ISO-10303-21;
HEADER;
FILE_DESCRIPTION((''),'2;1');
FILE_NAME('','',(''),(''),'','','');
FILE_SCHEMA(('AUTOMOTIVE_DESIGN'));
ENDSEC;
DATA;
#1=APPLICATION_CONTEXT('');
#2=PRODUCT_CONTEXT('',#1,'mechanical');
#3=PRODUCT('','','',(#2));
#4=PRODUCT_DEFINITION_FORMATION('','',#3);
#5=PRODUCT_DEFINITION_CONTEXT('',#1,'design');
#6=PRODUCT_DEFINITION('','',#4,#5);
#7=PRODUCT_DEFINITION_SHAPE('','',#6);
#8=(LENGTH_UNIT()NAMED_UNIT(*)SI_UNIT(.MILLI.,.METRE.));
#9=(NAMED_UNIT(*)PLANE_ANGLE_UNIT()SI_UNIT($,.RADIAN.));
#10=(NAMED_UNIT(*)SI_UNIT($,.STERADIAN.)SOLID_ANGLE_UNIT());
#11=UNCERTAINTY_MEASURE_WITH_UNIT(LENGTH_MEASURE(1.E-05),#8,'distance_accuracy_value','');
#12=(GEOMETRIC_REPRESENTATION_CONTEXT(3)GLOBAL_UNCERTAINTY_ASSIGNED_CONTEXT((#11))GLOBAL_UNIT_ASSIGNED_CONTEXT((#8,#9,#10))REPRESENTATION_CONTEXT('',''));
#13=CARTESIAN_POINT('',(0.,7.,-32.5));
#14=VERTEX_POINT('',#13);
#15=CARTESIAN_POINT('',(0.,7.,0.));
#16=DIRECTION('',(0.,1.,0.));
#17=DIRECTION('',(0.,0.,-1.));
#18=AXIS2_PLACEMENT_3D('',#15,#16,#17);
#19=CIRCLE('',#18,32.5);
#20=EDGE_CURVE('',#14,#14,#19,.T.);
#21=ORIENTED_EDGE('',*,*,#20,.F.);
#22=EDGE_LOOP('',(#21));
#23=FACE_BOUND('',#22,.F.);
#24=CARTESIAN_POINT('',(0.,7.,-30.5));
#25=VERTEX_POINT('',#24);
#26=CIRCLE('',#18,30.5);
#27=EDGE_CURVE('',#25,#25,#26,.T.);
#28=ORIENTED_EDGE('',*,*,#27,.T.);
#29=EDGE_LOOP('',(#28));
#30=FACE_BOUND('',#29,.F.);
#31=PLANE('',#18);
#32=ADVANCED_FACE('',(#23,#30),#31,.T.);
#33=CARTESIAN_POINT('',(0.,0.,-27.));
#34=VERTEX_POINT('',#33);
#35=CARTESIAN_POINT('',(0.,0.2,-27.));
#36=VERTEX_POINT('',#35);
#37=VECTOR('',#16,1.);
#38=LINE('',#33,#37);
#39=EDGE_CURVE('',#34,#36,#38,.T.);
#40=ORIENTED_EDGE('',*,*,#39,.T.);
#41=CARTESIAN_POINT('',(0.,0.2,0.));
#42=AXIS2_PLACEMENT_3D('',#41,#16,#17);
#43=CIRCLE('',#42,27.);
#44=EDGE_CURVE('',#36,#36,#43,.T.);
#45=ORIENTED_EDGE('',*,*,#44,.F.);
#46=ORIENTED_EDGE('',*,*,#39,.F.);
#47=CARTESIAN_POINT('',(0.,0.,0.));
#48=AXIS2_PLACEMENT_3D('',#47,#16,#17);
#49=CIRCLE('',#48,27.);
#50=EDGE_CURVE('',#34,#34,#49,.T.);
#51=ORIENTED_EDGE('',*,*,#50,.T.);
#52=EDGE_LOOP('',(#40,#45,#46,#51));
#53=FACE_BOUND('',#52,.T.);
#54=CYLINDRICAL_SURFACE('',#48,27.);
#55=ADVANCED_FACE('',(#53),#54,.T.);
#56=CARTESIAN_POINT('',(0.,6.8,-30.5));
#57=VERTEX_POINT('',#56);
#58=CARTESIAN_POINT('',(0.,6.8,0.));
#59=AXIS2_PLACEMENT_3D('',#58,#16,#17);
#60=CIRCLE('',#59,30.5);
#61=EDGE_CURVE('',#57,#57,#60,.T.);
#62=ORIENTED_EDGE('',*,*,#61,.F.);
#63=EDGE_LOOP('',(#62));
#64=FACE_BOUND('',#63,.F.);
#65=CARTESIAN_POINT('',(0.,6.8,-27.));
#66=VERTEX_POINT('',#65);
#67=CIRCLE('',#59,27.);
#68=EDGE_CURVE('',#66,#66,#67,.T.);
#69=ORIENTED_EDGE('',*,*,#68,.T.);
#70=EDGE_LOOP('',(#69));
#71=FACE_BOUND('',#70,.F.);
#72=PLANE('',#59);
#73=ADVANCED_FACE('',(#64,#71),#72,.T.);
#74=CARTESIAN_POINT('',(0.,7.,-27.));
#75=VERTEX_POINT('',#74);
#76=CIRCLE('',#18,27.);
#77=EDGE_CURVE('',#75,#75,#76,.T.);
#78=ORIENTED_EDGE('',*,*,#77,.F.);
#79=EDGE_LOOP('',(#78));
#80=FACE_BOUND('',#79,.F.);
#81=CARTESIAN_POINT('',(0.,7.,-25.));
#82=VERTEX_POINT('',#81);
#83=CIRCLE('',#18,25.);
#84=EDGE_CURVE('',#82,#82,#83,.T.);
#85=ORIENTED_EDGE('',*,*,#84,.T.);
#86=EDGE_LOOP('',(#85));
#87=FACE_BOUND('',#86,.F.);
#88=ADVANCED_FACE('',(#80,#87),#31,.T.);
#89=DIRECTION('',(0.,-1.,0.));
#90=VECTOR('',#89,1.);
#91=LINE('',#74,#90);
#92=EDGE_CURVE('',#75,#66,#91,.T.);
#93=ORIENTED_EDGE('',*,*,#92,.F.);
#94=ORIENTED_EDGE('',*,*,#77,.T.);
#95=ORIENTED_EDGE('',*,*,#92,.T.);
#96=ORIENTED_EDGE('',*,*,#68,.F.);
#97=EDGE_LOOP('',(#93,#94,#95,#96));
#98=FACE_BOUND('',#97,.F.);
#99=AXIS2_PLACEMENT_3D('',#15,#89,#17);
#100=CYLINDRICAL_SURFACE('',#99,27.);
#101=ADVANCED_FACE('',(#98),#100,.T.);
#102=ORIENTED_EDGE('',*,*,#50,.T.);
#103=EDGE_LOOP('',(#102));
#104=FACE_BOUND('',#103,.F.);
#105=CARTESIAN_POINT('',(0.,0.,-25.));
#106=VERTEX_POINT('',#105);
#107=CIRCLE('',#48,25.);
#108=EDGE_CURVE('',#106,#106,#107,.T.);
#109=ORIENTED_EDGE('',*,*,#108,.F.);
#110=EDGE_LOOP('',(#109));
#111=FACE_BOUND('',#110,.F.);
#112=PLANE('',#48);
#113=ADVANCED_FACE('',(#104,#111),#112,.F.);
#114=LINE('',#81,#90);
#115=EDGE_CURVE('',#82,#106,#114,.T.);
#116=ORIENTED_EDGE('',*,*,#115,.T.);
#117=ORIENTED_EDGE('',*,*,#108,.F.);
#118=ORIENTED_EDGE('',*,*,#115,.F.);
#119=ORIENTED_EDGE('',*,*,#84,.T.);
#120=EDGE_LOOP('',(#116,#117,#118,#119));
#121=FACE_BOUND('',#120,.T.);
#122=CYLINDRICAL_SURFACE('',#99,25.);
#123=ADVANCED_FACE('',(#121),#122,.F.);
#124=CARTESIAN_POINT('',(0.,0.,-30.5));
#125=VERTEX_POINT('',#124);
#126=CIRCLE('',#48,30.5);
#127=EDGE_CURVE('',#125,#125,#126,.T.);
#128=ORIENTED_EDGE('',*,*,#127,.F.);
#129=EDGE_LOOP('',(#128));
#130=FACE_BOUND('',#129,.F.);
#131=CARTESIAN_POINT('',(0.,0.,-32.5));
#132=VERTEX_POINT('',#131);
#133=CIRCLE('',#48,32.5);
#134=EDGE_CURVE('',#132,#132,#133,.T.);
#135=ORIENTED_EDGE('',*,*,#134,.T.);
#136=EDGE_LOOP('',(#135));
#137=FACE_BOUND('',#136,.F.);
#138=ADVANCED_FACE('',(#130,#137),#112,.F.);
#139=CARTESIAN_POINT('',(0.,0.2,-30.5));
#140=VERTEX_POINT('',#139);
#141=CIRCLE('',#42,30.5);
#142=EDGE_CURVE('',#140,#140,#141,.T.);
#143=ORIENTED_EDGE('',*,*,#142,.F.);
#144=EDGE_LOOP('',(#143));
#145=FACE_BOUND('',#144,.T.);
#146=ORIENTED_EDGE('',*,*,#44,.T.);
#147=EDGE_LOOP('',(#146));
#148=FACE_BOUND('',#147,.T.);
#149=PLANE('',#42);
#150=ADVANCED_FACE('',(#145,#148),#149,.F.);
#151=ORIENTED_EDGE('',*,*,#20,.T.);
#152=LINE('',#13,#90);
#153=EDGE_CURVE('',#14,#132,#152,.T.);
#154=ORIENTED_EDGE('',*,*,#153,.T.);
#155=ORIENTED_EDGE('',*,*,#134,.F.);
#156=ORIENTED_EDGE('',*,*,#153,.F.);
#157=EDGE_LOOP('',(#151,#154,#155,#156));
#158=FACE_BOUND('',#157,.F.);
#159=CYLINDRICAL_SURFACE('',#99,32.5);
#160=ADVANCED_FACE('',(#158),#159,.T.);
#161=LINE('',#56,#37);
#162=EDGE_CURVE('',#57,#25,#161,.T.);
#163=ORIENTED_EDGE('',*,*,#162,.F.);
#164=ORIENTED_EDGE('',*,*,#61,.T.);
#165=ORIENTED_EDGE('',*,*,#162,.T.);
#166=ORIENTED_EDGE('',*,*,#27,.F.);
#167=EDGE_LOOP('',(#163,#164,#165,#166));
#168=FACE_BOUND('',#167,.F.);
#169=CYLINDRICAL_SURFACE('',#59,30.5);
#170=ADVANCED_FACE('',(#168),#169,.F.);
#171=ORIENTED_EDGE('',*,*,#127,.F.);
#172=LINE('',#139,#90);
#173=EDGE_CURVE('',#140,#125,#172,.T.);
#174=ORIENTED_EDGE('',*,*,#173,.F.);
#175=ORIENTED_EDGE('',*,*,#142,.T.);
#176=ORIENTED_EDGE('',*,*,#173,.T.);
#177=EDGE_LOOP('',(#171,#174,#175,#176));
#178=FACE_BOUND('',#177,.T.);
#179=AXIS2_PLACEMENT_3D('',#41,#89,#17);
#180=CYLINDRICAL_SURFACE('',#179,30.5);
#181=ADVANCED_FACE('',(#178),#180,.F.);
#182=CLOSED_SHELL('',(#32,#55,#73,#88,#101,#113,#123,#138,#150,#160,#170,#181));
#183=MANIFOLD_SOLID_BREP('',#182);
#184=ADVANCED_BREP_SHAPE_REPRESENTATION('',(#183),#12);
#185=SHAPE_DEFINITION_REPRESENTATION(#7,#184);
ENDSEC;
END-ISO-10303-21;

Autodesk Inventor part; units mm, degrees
ref_plane "YZ Plane" through (0, 0, 0) normal (1, 0, 0) x (0, 1, 0)
ref_plane "XZ Plane" through (0, 0, 0) normal (0, 1, 0) x (-1, 0, 0)
ref_plane "XY Plane" through (0, 0, 0) normal (0, 0, 1) x (1, 0, 0)
sketch "Sketch1" plane through (0, 0, 0) normal (1, 0, 0) x (0, 1, 0)
  line L0 (0, 0) -> (7, 0) construction
  line L1 (7, 0) -> (7, -25) construction
  line L2 (7, -25) -> (0, -25)
  line L3 (0, -25) -> (0, 0) construction
  line L4 (7, -32.5) -> (0, -32.5)
  line L5 (7, -27) -> (6.8, -27)
  line L6 (6.8, -27) -> (6.8, -30.5)
  line L7 (6.8, -30.5) -> (7, -30.5)
  line L8 (0, -27) -> (0.2, -27)
  line L9 (0.2, -27) -> (0.2, -30.5)
  line L10 (0.2, -30.5) -> (0, -30.5)
  line L11 (7, -25) -> (7, -27)
  line L12 (7, -30.5) -> (7, -32.5)
  line L13 (0, -32.5) -> (0, -30.5)
  line L14 (0, -27) -> (0, -25)
  dimension "d0" = 25
  dimension "d2" = 7
  dimension "d5" = 32.5
  dimension "d6" = 0.2
  dimension "d7" = 2
revolve "Revolution1" add sketch "Sketch1" angle 360 about axis through (0, 0, 0) along (0, 1, 0)
properties part number "6810 bearing"
